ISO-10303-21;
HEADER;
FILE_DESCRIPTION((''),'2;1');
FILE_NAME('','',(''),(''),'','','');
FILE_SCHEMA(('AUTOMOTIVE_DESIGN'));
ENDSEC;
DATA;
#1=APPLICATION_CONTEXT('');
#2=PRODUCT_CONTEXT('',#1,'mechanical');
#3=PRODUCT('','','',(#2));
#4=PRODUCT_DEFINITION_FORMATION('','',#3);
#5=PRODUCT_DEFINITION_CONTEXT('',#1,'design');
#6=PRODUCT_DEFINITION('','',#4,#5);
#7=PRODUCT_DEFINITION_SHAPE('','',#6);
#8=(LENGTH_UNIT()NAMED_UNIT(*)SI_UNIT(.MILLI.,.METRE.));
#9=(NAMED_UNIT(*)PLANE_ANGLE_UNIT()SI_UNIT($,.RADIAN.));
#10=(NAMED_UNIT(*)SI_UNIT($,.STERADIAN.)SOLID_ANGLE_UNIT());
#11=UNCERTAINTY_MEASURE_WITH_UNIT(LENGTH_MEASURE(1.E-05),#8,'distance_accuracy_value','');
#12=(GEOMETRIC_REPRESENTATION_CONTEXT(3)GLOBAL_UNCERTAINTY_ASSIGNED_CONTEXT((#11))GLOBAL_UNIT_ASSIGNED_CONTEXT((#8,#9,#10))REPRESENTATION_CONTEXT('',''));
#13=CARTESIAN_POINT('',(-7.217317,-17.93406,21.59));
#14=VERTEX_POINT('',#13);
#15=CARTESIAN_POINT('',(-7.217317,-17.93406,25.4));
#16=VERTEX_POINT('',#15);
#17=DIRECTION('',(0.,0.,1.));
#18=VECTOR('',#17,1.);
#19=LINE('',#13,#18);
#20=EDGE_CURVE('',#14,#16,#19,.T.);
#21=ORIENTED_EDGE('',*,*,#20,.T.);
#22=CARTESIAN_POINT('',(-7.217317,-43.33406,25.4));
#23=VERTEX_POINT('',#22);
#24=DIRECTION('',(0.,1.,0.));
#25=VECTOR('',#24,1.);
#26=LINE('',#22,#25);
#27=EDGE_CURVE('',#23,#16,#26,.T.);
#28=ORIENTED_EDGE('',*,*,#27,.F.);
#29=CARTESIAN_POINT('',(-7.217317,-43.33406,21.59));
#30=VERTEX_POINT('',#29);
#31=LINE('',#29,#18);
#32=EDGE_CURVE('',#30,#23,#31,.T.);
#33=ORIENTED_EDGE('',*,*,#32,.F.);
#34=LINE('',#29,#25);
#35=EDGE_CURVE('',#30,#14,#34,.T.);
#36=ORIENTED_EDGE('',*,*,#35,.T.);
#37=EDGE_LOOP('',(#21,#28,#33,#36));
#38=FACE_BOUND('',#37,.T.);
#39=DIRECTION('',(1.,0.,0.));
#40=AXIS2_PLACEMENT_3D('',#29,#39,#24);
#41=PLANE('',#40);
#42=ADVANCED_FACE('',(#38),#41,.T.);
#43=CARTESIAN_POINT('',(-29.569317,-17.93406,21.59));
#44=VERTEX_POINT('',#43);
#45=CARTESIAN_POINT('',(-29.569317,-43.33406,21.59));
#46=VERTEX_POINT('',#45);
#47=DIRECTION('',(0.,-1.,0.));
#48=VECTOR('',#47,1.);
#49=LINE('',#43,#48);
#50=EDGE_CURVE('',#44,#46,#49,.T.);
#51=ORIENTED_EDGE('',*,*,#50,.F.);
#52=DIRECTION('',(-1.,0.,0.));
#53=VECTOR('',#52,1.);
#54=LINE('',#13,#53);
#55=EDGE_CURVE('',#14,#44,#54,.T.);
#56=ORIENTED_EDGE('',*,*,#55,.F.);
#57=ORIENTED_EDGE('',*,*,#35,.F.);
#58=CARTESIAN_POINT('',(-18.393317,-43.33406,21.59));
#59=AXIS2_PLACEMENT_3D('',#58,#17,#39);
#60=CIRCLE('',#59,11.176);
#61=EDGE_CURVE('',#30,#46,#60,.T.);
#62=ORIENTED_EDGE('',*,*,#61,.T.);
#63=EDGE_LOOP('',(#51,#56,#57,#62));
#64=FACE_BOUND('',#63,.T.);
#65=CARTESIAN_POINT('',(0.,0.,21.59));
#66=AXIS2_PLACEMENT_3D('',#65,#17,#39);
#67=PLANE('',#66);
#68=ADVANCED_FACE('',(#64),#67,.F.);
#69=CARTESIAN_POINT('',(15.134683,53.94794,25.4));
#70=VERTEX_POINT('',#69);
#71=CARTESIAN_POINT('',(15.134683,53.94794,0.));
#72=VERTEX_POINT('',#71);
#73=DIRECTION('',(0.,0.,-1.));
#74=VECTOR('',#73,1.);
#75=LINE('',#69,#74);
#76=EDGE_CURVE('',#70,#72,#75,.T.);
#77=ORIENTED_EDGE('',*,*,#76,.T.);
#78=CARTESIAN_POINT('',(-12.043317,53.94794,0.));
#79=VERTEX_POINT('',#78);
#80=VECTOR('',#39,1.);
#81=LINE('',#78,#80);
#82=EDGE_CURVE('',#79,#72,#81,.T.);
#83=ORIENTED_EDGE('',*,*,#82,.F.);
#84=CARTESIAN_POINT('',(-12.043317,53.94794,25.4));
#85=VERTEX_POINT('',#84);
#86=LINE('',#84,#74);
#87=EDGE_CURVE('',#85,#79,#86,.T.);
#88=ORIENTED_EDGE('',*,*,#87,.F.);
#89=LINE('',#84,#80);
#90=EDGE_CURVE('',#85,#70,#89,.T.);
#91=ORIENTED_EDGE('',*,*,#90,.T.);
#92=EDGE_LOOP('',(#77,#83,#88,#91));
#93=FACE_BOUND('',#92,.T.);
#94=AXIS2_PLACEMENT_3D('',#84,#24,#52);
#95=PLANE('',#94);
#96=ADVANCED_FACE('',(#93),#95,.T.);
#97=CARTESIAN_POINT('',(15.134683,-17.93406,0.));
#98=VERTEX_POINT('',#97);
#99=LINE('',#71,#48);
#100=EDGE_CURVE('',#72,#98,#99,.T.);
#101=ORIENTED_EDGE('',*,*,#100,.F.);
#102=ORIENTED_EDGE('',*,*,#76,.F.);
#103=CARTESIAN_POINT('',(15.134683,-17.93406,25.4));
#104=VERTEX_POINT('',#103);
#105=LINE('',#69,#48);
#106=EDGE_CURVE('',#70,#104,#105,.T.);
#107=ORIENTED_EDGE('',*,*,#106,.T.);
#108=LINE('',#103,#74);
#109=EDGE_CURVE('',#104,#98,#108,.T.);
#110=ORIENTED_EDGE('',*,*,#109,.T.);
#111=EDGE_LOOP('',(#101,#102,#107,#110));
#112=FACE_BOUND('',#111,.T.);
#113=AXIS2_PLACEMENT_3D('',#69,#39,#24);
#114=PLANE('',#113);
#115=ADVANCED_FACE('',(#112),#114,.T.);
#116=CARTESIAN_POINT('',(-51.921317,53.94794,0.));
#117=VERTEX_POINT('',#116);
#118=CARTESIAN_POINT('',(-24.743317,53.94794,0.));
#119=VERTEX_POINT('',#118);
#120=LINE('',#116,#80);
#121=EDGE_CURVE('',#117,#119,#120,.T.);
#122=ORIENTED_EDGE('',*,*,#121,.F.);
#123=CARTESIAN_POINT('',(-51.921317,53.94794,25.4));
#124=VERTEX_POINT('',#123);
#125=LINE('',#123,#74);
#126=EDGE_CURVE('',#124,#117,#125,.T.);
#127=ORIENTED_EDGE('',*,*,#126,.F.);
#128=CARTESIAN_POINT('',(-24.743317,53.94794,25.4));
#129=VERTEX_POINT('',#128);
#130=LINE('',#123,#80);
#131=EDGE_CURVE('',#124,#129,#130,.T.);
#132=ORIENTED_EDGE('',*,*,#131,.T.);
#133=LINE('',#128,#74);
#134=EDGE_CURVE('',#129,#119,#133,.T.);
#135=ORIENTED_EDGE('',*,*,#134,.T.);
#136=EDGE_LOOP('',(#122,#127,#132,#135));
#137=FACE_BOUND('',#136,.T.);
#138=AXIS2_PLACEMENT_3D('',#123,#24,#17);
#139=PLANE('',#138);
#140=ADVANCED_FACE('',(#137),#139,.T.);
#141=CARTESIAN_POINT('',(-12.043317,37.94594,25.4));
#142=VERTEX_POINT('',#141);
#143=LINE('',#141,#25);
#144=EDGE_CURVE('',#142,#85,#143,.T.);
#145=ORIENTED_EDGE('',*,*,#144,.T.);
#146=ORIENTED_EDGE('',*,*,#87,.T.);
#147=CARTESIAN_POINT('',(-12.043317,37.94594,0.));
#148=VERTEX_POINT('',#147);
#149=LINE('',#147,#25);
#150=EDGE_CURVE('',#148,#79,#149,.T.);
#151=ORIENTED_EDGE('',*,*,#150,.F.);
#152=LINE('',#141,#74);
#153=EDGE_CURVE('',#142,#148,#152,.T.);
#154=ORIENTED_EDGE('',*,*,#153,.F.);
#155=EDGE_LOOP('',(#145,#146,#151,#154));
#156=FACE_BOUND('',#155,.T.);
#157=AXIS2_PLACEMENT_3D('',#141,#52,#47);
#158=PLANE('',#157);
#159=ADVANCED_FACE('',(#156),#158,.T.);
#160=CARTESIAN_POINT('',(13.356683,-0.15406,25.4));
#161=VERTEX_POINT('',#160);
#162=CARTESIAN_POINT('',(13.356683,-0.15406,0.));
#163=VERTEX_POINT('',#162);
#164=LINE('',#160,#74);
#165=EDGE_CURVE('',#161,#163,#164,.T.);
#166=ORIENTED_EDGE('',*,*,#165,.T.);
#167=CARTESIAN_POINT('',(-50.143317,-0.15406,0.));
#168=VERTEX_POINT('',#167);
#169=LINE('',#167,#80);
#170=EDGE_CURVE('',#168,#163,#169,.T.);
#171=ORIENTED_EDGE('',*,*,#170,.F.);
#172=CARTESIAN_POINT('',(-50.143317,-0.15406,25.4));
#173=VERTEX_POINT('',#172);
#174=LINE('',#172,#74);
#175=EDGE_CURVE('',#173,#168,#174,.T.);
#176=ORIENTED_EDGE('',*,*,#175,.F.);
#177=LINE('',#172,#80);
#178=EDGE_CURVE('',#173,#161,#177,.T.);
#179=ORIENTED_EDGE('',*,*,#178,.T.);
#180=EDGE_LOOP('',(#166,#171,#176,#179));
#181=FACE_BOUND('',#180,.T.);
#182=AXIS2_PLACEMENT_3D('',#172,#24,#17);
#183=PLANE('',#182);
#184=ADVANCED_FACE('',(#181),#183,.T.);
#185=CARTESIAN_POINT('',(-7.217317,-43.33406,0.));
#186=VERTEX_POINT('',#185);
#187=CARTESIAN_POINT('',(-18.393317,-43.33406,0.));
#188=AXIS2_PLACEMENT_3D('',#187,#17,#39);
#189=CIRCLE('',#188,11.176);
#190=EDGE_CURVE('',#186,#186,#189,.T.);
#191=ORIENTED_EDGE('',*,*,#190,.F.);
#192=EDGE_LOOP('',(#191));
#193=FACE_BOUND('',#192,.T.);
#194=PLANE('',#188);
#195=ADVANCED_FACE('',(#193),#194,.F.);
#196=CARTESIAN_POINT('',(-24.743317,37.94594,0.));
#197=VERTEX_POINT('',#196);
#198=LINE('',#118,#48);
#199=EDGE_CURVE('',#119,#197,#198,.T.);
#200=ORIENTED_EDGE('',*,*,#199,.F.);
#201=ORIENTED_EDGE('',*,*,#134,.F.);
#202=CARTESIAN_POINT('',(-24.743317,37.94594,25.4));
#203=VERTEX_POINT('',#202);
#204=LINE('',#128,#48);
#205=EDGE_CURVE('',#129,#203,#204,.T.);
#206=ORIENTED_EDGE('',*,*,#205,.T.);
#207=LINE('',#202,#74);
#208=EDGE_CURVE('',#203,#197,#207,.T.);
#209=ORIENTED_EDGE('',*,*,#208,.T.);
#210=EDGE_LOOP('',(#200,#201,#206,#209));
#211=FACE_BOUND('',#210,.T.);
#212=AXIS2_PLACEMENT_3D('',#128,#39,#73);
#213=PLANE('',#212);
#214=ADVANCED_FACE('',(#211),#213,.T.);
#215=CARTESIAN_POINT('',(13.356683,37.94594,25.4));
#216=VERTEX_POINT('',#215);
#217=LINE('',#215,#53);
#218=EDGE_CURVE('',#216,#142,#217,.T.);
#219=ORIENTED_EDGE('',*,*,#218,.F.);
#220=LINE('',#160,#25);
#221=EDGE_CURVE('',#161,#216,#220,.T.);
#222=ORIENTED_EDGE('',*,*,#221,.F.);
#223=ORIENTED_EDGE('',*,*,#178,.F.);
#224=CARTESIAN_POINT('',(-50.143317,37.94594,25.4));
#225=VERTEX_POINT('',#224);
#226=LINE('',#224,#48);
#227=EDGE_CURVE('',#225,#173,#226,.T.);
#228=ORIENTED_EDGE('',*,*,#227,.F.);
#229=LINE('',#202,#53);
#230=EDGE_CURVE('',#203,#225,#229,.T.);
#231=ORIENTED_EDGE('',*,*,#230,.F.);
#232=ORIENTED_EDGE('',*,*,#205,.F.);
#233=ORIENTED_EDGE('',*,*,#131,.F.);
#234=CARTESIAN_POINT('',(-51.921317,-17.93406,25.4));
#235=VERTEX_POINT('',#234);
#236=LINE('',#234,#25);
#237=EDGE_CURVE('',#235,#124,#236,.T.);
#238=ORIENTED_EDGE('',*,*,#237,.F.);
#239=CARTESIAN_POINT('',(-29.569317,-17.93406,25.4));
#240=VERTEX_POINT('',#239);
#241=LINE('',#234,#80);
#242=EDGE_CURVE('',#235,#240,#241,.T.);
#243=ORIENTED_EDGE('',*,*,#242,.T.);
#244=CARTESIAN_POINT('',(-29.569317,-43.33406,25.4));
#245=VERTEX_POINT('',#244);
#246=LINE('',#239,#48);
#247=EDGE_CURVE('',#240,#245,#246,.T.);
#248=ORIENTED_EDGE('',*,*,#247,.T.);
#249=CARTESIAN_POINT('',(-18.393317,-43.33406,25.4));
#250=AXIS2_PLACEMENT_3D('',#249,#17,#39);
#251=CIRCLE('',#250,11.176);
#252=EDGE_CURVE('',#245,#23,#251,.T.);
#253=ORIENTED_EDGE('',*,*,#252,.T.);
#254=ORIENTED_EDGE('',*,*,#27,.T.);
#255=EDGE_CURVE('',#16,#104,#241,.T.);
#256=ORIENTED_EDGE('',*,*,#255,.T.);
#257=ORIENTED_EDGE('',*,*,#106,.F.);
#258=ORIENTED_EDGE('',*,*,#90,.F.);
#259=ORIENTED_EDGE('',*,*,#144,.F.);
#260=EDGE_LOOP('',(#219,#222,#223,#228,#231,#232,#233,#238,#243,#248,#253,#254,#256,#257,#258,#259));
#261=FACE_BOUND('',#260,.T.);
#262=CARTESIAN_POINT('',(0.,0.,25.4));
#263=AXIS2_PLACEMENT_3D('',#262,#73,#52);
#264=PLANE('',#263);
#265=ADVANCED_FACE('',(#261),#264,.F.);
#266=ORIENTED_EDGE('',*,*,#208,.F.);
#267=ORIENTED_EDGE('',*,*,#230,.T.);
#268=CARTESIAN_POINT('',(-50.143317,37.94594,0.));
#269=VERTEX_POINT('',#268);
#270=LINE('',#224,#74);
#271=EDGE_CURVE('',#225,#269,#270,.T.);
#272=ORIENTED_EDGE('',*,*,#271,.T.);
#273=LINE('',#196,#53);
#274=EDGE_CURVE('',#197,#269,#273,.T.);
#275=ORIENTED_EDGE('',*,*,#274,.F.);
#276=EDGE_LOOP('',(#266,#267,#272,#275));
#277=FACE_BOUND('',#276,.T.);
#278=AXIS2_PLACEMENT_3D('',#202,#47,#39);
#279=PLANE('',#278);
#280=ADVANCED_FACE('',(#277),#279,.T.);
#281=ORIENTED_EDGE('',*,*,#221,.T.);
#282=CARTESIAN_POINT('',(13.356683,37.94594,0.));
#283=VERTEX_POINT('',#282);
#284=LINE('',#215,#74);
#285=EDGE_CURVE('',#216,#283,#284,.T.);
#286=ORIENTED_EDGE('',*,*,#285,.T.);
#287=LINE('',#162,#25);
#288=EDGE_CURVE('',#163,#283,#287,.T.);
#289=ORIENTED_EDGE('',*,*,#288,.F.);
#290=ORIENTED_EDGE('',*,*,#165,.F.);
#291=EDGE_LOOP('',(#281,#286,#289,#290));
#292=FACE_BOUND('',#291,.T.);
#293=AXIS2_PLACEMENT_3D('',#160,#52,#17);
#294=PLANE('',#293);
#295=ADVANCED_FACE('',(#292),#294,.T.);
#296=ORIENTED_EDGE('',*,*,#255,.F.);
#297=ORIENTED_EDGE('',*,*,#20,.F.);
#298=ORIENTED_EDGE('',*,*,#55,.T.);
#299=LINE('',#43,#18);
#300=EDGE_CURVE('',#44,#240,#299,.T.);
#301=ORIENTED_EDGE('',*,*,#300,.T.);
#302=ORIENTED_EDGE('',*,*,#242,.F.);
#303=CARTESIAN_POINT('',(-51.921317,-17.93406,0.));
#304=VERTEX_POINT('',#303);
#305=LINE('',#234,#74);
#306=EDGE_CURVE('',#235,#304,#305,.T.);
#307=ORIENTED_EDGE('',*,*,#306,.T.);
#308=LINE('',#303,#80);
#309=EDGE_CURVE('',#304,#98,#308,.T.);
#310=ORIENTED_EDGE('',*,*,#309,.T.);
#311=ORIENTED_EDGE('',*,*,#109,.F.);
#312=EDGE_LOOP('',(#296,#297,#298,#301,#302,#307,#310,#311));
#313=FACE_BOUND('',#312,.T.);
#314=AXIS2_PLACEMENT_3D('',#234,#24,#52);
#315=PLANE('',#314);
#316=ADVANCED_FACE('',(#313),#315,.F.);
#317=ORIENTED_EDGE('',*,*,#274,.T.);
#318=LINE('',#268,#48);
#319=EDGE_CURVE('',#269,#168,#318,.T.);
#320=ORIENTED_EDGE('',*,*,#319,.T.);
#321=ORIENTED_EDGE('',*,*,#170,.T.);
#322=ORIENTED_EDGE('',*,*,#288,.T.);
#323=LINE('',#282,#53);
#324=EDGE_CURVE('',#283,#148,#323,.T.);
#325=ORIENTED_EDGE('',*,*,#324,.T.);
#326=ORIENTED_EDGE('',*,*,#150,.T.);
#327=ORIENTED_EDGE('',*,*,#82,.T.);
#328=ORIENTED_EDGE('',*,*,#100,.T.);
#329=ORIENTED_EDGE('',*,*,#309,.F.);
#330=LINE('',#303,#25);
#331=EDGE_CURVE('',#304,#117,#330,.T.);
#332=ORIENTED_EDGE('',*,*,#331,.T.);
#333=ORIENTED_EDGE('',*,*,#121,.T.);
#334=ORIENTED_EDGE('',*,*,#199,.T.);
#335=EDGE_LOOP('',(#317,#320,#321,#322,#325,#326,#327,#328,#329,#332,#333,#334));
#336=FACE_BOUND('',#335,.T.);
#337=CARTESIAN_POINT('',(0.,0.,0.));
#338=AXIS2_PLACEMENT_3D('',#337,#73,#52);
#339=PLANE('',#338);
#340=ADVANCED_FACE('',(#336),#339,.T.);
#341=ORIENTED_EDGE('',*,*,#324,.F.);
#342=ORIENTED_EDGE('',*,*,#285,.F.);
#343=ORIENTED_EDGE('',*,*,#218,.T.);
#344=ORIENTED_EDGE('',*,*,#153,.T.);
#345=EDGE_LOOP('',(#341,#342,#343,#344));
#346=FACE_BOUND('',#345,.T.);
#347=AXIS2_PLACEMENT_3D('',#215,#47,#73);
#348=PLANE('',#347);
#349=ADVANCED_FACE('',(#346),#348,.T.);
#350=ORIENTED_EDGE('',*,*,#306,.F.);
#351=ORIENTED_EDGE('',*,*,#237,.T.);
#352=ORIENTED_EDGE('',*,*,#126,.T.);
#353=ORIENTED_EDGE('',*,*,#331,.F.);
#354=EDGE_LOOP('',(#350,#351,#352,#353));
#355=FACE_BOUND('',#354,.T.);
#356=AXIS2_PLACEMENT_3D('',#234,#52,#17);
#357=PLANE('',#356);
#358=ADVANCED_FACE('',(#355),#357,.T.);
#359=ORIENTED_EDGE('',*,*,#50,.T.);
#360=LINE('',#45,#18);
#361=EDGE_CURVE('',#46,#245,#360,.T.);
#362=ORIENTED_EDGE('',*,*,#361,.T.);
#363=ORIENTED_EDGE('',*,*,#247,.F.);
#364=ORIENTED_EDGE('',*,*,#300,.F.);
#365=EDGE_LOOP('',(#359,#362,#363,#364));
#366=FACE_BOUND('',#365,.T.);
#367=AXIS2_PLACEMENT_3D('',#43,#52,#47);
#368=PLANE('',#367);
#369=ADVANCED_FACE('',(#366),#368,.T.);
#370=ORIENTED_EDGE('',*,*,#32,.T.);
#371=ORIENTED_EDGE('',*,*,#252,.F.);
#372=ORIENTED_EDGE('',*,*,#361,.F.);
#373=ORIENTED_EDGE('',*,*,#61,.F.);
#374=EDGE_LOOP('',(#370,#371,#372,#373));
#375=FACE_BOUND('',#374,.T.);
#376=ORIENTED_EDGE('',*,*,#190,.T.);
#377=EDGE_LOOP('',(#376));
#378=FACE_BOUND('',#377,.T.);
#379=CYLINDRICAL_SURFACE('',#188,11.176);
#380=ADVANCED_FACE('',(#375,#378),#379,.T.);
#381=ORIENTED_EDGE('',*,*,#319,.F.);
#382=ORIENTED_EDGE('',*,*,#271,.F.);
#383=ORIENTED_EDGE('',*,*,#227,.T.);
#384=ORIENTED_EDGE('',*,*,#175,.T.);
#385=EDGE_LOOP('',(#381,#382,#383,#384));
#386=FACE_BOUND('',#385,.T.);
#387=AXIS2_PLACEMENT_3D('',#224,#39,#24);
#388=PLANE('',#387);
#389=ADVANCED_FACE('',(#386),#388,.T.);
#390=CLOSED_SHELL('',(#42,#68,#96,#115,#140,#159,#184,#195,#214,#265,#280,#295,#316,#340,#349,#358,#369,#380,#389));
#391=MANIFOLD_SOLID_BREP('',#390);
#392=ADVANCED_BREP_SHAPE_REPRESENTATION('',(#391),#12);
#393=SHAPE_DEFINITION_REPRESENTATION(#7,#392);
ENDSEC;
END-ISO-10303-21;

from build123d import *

# Parameters (mm, degrees)
BOSS_EXTRUDE2_DEPTH = 25.4
SKETCH2_W           = 22.352
SKETCH2_H           = 25.4
BOSS_EXTRUDE3_DEPTH = 3.81
SKETCH5_R           = 11.176
BOSS_EXTRUDE6_DEPTH = 25.4


with BuildPart() as part:
    # Sketch1 → Boss-Extrude2 (new body)
    with BuildSketch(Plane.XY):
        Polygon((-12.043317073, 53.947940362), (15.134682927, 53.947940362), (15.134682927, -17.934059638), (-51.921317073, -17.934059638), (-51.921317073, 53.947940362), (-24.743317073, 53.947940362), (-24.743317073, 37.945940362), (-50.143317073, 37.945940362), (-50.143317073, -0.154059638), (13.356682927, -0.154059638), (13.356682927, 37.945940362), (-12.043317073, 37.945940362), align=None)
    extrude(amount=BOSS_EXTRUDE2_DEPTH)

    # Sketch2 → Boss-Extrude3 (add)
    with BuildSketch(Plane.XY.offset(25.4)):
        with Locations((-18.393317073, -30.634059638)):
            Rectangle(SKETCH2_W, SKETCH2_H)
    extrude(amount=-BOSS_EXTRUDE3_DEPTH)

    # Sketch5 → Boss-Extrude6 (add)
    with BuildSketch(Plane.XY.offset(25.4)):
        with Locations((-18.393317073, -43.334059638)):
            Circle(SKETCH5_R)
    extrude(amount=-BOSS_EXTRUDE6_DEPTH)


solid = part.part
